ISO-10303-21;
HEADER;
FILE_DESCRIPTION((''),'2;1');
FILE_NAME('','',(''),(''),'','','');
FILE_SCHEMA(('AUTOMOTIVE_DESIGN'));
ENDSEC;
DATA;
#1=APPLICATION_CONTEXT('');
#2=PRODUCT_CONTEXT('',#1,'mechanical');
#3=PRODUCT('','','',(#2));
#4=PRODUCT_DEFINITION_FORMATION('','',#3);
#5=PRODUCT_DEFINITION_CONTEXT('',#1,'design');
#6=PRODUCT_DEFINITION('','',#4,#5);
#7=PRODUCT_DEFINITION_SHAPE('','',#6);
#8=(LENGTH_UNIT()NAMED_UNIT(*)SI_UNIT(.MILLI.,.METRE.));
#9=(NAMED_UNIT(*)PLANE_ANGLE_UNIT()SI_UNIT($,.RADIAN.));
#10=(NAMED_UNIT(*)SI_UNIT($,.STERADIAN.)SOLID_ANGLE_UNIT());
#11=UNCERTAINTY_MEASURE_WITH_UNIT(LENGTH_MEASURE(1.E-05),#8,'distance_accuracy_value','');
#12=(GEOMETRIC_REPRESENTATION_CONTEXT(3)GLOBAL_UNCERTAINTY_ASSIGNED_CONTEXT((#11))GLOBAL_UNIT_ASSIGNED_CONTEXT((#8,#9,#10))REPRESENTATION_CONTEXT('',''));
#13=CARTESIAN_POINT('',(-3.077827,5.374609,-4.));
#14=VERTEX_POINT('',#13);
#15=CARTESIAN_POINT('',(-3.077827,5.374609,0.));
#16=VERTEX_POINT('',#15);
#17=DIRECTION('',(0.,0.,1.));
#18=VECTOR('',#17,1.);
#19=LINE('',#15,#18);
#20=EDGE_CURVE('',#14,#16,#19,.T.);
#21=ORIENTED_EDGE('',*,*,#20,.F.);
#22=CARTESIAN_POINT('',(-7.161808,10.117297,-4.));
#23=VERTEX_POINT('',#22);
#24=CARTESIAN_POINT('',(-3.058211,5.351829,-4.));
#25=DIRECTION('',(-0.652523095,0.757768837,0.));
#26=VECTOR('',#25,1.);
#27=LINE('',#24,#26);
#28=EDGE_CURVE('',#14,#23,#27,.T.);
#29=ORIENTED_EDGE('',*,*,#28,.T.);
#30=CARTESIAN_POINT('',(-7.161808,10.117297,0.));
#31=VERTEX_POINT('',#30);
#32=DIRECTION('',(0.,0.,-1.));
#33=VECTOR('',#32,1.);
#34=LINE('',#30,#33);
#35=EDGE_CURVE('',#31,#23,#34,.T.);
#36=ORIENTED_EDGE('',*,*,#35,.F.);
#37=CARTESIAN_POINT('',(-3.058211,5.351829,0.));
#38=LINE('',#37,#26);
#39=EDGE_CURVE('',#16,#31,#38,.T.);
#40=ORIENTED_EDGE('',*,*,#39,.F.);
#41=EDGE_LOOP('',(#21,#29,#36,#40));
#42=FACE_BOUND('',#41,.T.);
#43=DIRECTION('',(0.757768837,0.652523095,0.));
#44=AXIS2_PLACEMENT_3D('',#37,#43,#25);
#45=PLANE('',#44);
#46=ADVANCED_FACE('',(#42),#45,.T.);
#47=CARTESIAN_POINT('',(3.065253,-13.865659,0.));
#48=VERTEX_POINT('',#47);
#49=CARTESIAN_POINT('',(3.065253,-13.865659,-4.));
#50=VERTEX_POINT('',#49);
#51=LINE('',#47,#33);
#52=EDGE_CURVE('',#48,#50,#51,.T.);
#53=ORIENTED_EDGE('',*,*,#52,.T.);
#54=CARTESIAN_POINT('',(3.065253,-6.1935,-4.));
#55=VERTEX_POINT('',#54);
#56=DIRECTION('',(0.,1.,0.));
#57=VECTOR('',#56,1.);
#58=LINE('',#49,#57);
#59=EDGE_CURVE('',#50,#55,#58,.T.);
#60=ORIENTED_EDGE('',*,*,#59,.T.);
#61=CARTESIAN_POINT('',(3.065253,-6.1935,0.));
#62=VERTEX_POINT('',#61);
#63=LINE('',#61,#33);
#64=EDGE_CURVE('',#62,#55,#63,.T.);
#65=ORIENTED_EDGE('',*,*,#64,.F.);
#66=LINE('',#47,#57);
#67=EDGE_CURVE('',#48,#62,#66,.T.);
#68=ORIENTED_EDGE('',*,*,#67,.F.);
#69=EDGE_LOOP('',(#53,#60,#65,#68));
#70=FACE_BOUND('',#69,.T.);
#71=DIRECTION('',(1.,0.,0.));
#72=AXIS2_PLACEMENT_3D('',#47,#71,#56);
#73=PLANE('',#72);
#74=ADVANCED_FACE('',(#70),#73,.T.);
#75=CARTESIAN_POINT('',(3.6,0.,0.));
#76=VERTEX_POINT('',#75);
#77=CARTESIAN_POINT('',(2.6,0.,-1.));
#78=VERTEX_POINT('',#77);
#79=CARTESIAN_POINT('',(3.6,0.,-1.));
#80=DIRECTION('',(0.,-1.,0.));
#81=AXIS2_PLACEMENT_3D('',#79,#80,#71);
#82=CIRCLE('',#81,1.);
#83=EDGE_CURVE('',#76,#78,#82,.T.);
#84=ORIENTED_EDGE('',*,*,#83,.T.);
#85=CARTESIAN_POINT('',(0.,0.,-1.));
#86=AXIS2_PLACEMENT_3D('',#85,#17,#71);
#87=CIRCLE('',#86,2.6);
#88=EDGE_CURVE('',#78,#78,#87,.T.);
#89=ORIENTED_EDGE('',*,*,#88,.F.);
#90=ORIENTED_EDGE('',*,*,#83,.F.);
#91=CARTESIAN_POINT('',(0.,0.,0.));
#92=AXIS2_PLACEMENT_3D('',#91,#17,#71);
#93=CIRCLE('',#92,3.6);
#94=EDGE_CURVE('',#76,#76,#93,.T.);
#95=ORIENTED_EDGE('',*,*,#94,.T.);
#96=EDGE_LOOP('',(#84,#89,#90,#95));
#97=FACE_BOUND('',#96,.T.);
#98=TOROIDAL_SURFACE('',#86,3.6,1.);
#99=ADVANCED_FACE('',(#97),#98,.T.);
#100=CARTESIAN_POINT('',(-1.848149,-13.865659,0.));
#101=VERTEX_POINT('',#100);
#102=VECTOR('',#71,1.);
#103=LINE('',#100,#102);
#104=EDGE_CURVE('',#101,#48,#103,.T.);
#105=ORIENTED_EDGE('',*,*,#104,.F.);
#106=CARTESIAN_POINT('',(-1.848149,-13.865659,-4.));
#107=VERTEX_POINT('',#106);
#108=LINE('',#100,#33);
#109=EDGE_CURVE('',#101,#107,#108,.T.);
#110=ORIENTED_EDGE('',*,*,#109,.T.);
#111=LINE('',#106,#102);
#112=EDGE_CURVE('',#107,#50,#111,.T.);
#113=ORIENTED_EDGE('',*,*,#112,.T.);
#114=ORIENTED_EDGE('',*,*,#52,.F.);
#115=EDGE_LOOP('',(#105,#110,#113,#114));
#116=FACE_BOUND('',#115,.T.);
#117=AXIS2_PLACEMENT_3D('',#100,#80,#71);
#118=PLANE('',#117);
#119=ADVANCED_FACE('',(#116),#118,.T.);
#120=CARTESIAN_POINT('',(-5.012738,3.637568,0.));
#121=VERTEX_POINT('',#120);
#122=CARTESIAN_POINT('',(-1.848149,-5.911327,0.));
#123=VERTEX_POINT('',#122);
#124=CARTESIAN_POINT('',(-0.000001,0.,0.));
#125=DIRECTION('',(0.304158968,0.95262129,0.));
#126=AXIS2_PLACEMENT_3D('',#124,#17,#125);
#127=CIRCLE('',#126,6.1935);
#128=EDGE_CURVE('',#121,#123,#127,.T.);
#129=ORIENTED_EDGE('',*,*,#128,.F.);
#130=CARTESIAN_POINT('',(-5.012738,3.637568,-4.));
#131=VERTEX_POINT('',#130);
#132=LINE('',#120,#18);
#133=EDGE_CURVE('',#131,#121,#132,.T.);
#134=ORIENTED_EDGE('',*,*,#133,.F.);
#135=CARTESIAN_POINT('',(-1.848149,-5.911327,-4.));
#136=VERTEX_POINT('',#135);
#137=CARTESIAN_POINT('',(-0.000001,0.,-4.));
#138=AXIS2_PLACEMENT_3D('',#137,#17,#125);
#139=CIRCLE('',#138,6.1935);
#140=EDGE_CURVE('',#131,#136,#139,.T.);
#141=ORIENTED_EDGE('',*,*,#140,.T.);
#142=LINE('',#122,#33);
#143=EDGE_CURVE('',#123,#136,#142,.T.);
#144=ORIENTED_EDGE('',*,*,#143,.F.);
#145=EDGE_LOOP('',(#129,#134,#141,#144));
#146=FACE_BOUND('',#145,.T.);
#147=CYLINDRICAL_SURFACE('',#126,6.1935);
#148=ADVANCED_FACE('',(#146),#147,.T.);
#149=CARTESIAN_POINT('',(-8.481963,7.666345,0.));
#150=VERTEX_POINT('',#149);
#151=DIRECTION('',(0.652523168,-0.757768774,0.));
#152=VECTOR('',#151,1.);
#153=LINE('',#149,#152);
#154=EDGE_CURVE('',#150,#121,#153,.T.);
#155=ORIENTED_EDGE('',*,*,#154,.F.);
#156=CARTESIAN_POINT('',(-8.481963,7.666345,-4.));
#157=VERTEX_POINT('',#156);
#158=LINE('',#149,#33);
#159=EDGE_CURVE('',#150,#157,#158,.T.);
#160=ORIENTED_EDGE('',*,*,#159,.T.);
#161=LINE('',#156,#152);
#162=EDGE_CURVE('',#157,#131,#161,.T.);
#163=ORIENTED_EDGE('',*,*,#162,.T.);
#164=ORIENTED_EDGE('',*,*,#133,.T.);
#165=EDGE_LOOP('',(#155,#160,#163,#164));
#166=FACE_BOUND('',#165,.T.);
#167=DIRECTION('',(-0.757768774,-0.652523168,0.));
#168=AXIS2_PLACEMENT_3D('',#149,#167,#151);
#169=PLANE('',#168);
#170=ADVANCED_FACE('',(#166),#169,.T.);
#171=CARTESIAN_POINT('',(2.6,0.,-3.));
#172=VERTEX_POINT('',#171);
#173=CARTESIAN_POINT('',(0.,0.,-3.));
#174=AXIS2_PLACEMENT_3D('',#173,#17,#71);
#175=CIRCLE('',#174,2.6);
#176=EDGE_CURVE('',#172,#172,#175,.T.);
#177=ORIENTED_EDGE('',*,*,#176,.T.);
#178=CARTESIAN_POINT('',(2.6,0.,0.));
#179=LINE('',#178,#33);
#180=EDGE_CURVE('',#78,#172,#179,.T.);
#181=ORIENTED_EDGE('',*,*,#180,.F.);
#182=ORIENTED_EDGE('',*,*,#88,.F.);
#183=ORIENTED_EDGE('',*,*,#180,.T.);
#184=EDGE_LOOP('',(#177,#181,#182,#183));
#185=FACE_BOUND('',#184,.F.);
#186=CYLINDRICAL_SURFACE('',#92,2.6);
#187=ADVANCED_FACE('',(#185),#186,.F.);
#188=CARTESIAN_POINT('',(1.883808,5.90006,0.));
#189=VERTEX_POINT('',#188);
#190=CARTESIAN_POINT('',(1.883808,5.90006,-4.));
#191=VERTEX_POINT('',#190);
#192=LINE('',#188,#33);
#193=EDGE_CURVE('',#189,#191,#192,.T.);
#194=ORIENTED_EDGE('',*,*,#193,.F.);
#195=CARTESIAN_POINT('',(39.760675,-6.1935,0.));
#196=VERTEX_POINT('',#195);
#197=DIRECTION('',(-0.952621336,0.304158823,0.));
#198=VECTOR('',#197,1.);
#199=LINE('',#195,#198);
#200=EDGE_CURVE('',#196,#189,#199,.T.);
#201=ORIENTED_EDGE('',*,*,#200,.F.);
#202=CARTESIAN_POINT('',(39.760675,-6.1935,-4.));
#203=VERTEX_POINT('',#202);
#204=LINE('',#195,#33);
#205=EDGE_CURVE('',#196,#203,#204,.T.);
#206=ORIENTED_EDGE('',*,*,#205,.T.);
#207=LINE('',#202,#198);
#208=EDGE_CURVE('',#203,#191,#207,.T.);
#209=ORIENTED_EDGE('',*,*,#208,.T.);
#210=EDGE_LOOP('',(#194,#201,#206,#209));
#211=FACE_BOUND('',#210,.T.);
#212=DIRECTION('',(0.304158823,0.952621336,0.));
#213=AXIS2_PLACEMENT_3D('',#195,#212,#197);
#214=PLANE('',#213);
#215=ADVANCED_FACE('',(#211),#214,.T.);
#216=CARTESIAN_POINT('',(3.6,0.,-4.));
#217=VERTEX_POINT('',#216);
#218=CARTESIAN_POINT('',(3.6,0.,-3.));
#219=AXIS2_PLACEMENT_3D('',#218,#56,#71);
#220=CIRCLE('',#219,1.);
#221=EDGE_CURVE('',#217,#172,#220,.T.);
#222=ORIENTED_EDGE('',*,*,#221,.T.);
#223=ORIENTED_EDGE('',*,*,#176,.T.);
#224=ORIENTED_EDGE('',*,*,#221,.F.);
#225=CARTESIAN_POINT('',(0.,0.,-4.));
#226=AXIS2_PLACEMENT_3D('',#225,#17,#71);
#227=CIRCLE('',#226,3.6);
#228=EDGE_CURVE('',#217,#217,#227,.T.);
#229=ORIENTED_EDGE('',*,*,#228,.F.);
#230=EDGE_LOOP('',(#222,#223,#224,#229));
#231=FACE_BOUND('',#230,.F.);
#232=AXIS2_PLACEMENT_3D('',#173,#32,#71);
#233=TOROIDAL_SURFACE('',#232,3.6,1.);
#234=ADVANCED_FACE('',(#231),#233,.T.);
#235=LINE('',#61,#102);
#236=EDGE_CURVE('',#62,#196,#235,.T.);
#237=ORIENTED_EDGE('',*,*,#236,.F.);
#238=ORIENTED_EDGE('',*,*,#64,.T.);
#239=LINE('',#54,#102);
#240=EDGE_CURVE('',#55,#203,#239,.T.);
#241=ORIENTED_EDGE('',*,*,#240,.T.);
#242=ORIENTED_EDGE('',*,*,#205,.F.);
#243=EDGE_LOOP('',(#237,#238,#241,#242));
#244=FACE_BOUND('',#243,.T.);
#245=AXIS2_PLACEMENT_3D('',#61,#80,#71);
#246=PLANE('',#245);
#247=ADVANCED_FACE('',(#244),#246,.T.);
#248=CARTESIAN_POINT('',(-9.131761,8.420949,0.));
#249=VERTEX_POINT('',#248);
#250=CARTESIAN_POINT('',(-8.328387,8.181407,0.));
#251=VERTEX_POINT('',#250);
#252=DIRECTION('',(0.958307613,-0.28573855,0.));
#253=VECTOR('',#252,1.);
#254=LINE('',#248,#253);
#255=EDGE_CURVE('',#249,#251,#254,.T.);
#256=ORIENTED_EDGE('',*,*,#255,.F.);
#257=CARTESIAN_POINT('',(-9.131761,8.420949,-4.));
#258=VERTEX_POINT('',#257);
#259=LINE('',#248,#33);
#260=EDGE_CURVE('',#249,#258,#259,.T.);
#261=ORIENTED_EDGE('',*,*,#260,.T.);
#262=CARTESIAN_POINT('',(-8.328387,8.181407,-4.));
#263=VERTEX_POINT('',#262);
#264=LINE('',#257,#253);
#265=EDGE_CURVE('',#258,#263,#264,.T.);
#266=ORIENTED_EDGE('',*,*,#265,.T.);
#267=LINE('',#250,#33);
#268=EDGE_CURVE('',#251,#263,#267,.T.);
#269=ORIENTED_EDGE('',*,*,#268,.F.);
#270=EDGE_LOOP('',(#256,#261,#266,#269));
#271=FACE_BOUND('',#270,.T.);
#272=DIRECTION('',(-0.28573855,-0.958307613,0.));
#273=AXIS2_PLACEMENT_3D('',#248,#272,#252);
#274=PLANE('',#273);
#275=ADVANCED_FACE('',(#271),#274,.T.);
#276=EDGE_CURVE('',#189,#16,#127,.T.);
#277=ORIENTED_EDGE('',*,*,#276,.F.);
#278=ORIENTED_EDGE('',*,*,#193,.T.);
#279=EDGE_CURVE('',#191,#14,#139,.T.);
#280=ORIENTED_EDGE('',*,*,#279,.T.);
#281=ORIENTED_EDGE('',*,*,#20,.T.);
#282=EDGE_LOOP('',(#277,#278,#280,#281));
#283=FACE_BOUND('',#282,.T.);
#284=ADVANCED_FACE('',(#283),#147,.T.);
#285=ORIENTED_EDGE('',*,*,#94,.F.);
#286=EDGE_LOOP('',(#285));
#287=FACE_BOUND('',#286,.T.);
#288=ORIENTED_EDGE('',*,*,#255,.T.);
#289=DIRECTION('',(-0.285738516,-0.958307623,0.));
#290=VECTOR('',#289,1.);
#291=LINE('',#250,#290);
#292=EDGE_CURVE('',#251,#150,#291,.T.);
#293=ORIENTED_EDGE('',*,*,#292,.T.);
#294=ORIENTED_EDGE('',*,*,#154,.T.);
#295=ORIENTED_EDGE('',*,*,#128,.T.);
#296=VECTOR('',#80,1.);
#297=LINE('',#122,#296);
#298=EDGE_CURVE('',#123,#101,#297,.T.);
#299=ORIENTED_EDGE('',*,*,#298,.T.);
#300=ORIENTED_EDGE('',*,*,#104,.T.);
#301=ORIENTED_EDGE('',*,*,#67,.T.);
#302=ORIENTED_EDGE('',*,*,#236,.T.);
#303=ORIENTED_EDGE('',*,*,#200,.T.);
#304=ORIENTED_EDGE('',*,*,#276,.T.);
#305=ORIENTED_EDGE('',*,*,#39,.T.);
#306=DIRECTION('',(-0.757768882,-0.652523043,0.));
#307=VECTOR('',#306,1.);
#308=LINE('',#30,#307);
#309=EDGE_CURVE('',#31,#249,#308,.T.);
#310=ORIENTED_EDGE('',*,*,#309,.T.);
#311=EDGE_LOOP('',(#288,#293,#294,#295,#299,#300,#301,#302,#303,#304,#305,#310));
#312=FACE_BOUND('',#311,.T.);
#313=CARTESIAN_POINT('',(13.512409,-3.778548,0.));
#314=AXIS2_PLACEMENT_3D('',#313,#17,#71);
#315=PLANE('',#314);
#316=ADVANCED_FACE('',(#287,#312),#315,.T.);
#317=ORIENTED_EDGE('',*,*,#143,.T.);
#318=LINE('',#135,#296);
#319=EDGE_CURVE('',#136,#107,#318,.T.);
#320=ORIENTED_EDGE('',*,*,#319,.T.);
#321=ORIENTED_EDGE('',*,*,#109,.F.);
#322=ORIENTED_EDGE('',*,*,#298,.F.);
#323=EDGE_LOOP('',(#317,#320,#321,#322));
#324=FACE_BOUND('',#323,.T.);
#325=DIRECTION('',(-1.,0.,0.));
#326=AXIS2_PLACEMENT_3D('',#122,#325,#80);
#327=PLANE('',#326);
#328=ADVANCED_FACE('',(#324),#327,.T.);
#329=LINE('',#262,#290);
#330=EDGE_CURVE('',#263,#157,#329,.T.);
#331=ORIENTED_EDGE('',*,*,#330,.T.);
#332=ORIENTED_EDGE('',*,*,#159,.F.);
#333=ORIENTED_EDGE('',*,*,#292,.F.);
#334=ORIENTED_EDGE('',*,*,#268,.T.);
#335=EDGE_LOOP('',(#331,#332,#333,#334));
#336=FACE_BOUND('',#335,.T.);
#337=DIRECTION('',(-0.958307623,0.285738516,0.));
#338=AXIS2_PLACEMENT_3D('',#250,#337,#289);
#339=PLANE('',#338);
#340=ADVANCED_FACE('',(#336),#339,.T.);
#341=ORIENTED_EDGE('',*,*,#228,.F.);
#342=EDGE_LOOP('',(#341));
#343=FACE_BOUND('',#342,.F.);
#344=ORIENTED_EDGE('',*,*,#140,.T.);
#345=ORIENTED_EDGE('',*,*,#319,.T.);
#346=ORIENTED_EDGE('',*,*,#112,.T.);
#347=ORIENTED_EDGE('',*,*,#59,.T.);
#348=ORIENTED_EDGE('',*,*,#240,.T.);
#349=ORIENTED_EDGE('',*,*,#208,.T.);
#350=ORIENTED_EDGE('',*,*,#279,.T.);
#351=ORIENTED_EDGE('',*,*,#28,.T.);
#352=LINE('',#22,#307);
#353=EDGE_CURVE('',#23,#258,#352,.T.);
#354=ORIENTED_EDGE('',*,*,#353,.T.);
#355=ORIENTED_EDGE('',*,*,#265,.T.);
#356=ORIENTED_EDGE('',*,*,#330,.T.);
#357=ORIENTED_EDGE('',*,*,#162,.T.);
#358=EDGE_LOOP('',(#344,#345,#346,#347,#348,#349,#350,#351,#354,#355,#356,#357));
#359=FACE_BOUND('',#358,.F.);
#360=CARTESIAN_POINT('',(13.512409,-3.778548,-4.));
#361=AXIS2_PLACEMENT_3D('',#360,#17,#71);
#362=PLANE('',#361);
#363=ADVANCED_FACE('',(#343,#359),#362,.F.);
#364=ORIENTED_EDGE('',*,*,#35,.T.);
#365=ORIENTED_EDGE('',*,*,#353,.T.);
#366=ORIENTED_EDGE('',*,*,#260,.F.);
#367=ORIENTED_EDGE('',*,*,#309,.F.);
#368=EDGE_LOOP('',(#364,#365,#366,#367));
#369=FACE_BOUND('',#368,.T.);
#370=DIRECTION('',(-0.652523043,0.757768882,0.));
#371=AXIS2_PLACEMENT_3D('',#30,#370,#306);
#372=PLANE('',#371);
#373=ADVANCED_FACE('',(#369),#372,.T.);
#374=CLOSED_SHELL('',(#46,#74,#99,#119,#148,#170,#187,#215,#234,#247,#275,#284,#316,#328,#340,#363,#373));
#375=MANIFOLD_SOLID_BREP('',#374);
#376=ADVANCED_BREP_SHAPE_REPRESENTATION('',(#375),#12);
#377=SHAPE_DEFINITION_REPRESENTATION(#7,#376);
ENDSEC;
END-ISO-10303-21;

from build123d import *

# Parameters (mm, degrees)
F2_DEPTH = 4
F1_R     = 2.6
F3_DEPTH = 5
F4_R     = 1
F6_DEPTH = 4


with BuildPart() as f2:
    # F0 (on Top) → F2 (new body)
    with BuildSketch(Plane.XY):
        with BuildLine():
            Line((39.760675, -6.1935), (1.883808, 5.90006))
            ThreePointArc((1.883808, 5.90006), (-5.905721, 1.865987), (-1.848149, -5.911327))
            Line((-1.848149, -5.911327), (-1.848149, -13.865659))
            Line((-1.848149, -13.865659), (3.065253, -13.865659))
            Line((3.065253, -13.865659), (3.065253, -6.1935))
            Line((3.065253, -6.1935), (39.760675, -6.1935))
        make_face()
    extrude(amount=-F2_DEPTH)

    # F1 (on Top) → F3 (cut)
    with BuildSketch(Plane.XY):
        Circle(F1_R)
    extrude(amount=-F3_DEPTH, mode=Mode.SUBTRACT)

    # F4
    f4_edges = [f2.edges().sort_by_distance(p)[0] for p in [
        (-2.6, 0, 0),
        (-2.6, 0, -4),
    ]]
    fillet(f4_edges, radius=F4_R)

    # F5 (on Top) → F6 (join)
    with BuildSketch(Plane.XY):
        Polygon((-4.70453, 3.279649), (-3.058211, 5.351829), (-7.161808, 10.117297), (-9.131761, 8.420949), (-8.328387, 8.181407), (-8.481963, 7.666345), align=None)
    extrude(amount=-F6_DEPTH)


solid = f2.part
